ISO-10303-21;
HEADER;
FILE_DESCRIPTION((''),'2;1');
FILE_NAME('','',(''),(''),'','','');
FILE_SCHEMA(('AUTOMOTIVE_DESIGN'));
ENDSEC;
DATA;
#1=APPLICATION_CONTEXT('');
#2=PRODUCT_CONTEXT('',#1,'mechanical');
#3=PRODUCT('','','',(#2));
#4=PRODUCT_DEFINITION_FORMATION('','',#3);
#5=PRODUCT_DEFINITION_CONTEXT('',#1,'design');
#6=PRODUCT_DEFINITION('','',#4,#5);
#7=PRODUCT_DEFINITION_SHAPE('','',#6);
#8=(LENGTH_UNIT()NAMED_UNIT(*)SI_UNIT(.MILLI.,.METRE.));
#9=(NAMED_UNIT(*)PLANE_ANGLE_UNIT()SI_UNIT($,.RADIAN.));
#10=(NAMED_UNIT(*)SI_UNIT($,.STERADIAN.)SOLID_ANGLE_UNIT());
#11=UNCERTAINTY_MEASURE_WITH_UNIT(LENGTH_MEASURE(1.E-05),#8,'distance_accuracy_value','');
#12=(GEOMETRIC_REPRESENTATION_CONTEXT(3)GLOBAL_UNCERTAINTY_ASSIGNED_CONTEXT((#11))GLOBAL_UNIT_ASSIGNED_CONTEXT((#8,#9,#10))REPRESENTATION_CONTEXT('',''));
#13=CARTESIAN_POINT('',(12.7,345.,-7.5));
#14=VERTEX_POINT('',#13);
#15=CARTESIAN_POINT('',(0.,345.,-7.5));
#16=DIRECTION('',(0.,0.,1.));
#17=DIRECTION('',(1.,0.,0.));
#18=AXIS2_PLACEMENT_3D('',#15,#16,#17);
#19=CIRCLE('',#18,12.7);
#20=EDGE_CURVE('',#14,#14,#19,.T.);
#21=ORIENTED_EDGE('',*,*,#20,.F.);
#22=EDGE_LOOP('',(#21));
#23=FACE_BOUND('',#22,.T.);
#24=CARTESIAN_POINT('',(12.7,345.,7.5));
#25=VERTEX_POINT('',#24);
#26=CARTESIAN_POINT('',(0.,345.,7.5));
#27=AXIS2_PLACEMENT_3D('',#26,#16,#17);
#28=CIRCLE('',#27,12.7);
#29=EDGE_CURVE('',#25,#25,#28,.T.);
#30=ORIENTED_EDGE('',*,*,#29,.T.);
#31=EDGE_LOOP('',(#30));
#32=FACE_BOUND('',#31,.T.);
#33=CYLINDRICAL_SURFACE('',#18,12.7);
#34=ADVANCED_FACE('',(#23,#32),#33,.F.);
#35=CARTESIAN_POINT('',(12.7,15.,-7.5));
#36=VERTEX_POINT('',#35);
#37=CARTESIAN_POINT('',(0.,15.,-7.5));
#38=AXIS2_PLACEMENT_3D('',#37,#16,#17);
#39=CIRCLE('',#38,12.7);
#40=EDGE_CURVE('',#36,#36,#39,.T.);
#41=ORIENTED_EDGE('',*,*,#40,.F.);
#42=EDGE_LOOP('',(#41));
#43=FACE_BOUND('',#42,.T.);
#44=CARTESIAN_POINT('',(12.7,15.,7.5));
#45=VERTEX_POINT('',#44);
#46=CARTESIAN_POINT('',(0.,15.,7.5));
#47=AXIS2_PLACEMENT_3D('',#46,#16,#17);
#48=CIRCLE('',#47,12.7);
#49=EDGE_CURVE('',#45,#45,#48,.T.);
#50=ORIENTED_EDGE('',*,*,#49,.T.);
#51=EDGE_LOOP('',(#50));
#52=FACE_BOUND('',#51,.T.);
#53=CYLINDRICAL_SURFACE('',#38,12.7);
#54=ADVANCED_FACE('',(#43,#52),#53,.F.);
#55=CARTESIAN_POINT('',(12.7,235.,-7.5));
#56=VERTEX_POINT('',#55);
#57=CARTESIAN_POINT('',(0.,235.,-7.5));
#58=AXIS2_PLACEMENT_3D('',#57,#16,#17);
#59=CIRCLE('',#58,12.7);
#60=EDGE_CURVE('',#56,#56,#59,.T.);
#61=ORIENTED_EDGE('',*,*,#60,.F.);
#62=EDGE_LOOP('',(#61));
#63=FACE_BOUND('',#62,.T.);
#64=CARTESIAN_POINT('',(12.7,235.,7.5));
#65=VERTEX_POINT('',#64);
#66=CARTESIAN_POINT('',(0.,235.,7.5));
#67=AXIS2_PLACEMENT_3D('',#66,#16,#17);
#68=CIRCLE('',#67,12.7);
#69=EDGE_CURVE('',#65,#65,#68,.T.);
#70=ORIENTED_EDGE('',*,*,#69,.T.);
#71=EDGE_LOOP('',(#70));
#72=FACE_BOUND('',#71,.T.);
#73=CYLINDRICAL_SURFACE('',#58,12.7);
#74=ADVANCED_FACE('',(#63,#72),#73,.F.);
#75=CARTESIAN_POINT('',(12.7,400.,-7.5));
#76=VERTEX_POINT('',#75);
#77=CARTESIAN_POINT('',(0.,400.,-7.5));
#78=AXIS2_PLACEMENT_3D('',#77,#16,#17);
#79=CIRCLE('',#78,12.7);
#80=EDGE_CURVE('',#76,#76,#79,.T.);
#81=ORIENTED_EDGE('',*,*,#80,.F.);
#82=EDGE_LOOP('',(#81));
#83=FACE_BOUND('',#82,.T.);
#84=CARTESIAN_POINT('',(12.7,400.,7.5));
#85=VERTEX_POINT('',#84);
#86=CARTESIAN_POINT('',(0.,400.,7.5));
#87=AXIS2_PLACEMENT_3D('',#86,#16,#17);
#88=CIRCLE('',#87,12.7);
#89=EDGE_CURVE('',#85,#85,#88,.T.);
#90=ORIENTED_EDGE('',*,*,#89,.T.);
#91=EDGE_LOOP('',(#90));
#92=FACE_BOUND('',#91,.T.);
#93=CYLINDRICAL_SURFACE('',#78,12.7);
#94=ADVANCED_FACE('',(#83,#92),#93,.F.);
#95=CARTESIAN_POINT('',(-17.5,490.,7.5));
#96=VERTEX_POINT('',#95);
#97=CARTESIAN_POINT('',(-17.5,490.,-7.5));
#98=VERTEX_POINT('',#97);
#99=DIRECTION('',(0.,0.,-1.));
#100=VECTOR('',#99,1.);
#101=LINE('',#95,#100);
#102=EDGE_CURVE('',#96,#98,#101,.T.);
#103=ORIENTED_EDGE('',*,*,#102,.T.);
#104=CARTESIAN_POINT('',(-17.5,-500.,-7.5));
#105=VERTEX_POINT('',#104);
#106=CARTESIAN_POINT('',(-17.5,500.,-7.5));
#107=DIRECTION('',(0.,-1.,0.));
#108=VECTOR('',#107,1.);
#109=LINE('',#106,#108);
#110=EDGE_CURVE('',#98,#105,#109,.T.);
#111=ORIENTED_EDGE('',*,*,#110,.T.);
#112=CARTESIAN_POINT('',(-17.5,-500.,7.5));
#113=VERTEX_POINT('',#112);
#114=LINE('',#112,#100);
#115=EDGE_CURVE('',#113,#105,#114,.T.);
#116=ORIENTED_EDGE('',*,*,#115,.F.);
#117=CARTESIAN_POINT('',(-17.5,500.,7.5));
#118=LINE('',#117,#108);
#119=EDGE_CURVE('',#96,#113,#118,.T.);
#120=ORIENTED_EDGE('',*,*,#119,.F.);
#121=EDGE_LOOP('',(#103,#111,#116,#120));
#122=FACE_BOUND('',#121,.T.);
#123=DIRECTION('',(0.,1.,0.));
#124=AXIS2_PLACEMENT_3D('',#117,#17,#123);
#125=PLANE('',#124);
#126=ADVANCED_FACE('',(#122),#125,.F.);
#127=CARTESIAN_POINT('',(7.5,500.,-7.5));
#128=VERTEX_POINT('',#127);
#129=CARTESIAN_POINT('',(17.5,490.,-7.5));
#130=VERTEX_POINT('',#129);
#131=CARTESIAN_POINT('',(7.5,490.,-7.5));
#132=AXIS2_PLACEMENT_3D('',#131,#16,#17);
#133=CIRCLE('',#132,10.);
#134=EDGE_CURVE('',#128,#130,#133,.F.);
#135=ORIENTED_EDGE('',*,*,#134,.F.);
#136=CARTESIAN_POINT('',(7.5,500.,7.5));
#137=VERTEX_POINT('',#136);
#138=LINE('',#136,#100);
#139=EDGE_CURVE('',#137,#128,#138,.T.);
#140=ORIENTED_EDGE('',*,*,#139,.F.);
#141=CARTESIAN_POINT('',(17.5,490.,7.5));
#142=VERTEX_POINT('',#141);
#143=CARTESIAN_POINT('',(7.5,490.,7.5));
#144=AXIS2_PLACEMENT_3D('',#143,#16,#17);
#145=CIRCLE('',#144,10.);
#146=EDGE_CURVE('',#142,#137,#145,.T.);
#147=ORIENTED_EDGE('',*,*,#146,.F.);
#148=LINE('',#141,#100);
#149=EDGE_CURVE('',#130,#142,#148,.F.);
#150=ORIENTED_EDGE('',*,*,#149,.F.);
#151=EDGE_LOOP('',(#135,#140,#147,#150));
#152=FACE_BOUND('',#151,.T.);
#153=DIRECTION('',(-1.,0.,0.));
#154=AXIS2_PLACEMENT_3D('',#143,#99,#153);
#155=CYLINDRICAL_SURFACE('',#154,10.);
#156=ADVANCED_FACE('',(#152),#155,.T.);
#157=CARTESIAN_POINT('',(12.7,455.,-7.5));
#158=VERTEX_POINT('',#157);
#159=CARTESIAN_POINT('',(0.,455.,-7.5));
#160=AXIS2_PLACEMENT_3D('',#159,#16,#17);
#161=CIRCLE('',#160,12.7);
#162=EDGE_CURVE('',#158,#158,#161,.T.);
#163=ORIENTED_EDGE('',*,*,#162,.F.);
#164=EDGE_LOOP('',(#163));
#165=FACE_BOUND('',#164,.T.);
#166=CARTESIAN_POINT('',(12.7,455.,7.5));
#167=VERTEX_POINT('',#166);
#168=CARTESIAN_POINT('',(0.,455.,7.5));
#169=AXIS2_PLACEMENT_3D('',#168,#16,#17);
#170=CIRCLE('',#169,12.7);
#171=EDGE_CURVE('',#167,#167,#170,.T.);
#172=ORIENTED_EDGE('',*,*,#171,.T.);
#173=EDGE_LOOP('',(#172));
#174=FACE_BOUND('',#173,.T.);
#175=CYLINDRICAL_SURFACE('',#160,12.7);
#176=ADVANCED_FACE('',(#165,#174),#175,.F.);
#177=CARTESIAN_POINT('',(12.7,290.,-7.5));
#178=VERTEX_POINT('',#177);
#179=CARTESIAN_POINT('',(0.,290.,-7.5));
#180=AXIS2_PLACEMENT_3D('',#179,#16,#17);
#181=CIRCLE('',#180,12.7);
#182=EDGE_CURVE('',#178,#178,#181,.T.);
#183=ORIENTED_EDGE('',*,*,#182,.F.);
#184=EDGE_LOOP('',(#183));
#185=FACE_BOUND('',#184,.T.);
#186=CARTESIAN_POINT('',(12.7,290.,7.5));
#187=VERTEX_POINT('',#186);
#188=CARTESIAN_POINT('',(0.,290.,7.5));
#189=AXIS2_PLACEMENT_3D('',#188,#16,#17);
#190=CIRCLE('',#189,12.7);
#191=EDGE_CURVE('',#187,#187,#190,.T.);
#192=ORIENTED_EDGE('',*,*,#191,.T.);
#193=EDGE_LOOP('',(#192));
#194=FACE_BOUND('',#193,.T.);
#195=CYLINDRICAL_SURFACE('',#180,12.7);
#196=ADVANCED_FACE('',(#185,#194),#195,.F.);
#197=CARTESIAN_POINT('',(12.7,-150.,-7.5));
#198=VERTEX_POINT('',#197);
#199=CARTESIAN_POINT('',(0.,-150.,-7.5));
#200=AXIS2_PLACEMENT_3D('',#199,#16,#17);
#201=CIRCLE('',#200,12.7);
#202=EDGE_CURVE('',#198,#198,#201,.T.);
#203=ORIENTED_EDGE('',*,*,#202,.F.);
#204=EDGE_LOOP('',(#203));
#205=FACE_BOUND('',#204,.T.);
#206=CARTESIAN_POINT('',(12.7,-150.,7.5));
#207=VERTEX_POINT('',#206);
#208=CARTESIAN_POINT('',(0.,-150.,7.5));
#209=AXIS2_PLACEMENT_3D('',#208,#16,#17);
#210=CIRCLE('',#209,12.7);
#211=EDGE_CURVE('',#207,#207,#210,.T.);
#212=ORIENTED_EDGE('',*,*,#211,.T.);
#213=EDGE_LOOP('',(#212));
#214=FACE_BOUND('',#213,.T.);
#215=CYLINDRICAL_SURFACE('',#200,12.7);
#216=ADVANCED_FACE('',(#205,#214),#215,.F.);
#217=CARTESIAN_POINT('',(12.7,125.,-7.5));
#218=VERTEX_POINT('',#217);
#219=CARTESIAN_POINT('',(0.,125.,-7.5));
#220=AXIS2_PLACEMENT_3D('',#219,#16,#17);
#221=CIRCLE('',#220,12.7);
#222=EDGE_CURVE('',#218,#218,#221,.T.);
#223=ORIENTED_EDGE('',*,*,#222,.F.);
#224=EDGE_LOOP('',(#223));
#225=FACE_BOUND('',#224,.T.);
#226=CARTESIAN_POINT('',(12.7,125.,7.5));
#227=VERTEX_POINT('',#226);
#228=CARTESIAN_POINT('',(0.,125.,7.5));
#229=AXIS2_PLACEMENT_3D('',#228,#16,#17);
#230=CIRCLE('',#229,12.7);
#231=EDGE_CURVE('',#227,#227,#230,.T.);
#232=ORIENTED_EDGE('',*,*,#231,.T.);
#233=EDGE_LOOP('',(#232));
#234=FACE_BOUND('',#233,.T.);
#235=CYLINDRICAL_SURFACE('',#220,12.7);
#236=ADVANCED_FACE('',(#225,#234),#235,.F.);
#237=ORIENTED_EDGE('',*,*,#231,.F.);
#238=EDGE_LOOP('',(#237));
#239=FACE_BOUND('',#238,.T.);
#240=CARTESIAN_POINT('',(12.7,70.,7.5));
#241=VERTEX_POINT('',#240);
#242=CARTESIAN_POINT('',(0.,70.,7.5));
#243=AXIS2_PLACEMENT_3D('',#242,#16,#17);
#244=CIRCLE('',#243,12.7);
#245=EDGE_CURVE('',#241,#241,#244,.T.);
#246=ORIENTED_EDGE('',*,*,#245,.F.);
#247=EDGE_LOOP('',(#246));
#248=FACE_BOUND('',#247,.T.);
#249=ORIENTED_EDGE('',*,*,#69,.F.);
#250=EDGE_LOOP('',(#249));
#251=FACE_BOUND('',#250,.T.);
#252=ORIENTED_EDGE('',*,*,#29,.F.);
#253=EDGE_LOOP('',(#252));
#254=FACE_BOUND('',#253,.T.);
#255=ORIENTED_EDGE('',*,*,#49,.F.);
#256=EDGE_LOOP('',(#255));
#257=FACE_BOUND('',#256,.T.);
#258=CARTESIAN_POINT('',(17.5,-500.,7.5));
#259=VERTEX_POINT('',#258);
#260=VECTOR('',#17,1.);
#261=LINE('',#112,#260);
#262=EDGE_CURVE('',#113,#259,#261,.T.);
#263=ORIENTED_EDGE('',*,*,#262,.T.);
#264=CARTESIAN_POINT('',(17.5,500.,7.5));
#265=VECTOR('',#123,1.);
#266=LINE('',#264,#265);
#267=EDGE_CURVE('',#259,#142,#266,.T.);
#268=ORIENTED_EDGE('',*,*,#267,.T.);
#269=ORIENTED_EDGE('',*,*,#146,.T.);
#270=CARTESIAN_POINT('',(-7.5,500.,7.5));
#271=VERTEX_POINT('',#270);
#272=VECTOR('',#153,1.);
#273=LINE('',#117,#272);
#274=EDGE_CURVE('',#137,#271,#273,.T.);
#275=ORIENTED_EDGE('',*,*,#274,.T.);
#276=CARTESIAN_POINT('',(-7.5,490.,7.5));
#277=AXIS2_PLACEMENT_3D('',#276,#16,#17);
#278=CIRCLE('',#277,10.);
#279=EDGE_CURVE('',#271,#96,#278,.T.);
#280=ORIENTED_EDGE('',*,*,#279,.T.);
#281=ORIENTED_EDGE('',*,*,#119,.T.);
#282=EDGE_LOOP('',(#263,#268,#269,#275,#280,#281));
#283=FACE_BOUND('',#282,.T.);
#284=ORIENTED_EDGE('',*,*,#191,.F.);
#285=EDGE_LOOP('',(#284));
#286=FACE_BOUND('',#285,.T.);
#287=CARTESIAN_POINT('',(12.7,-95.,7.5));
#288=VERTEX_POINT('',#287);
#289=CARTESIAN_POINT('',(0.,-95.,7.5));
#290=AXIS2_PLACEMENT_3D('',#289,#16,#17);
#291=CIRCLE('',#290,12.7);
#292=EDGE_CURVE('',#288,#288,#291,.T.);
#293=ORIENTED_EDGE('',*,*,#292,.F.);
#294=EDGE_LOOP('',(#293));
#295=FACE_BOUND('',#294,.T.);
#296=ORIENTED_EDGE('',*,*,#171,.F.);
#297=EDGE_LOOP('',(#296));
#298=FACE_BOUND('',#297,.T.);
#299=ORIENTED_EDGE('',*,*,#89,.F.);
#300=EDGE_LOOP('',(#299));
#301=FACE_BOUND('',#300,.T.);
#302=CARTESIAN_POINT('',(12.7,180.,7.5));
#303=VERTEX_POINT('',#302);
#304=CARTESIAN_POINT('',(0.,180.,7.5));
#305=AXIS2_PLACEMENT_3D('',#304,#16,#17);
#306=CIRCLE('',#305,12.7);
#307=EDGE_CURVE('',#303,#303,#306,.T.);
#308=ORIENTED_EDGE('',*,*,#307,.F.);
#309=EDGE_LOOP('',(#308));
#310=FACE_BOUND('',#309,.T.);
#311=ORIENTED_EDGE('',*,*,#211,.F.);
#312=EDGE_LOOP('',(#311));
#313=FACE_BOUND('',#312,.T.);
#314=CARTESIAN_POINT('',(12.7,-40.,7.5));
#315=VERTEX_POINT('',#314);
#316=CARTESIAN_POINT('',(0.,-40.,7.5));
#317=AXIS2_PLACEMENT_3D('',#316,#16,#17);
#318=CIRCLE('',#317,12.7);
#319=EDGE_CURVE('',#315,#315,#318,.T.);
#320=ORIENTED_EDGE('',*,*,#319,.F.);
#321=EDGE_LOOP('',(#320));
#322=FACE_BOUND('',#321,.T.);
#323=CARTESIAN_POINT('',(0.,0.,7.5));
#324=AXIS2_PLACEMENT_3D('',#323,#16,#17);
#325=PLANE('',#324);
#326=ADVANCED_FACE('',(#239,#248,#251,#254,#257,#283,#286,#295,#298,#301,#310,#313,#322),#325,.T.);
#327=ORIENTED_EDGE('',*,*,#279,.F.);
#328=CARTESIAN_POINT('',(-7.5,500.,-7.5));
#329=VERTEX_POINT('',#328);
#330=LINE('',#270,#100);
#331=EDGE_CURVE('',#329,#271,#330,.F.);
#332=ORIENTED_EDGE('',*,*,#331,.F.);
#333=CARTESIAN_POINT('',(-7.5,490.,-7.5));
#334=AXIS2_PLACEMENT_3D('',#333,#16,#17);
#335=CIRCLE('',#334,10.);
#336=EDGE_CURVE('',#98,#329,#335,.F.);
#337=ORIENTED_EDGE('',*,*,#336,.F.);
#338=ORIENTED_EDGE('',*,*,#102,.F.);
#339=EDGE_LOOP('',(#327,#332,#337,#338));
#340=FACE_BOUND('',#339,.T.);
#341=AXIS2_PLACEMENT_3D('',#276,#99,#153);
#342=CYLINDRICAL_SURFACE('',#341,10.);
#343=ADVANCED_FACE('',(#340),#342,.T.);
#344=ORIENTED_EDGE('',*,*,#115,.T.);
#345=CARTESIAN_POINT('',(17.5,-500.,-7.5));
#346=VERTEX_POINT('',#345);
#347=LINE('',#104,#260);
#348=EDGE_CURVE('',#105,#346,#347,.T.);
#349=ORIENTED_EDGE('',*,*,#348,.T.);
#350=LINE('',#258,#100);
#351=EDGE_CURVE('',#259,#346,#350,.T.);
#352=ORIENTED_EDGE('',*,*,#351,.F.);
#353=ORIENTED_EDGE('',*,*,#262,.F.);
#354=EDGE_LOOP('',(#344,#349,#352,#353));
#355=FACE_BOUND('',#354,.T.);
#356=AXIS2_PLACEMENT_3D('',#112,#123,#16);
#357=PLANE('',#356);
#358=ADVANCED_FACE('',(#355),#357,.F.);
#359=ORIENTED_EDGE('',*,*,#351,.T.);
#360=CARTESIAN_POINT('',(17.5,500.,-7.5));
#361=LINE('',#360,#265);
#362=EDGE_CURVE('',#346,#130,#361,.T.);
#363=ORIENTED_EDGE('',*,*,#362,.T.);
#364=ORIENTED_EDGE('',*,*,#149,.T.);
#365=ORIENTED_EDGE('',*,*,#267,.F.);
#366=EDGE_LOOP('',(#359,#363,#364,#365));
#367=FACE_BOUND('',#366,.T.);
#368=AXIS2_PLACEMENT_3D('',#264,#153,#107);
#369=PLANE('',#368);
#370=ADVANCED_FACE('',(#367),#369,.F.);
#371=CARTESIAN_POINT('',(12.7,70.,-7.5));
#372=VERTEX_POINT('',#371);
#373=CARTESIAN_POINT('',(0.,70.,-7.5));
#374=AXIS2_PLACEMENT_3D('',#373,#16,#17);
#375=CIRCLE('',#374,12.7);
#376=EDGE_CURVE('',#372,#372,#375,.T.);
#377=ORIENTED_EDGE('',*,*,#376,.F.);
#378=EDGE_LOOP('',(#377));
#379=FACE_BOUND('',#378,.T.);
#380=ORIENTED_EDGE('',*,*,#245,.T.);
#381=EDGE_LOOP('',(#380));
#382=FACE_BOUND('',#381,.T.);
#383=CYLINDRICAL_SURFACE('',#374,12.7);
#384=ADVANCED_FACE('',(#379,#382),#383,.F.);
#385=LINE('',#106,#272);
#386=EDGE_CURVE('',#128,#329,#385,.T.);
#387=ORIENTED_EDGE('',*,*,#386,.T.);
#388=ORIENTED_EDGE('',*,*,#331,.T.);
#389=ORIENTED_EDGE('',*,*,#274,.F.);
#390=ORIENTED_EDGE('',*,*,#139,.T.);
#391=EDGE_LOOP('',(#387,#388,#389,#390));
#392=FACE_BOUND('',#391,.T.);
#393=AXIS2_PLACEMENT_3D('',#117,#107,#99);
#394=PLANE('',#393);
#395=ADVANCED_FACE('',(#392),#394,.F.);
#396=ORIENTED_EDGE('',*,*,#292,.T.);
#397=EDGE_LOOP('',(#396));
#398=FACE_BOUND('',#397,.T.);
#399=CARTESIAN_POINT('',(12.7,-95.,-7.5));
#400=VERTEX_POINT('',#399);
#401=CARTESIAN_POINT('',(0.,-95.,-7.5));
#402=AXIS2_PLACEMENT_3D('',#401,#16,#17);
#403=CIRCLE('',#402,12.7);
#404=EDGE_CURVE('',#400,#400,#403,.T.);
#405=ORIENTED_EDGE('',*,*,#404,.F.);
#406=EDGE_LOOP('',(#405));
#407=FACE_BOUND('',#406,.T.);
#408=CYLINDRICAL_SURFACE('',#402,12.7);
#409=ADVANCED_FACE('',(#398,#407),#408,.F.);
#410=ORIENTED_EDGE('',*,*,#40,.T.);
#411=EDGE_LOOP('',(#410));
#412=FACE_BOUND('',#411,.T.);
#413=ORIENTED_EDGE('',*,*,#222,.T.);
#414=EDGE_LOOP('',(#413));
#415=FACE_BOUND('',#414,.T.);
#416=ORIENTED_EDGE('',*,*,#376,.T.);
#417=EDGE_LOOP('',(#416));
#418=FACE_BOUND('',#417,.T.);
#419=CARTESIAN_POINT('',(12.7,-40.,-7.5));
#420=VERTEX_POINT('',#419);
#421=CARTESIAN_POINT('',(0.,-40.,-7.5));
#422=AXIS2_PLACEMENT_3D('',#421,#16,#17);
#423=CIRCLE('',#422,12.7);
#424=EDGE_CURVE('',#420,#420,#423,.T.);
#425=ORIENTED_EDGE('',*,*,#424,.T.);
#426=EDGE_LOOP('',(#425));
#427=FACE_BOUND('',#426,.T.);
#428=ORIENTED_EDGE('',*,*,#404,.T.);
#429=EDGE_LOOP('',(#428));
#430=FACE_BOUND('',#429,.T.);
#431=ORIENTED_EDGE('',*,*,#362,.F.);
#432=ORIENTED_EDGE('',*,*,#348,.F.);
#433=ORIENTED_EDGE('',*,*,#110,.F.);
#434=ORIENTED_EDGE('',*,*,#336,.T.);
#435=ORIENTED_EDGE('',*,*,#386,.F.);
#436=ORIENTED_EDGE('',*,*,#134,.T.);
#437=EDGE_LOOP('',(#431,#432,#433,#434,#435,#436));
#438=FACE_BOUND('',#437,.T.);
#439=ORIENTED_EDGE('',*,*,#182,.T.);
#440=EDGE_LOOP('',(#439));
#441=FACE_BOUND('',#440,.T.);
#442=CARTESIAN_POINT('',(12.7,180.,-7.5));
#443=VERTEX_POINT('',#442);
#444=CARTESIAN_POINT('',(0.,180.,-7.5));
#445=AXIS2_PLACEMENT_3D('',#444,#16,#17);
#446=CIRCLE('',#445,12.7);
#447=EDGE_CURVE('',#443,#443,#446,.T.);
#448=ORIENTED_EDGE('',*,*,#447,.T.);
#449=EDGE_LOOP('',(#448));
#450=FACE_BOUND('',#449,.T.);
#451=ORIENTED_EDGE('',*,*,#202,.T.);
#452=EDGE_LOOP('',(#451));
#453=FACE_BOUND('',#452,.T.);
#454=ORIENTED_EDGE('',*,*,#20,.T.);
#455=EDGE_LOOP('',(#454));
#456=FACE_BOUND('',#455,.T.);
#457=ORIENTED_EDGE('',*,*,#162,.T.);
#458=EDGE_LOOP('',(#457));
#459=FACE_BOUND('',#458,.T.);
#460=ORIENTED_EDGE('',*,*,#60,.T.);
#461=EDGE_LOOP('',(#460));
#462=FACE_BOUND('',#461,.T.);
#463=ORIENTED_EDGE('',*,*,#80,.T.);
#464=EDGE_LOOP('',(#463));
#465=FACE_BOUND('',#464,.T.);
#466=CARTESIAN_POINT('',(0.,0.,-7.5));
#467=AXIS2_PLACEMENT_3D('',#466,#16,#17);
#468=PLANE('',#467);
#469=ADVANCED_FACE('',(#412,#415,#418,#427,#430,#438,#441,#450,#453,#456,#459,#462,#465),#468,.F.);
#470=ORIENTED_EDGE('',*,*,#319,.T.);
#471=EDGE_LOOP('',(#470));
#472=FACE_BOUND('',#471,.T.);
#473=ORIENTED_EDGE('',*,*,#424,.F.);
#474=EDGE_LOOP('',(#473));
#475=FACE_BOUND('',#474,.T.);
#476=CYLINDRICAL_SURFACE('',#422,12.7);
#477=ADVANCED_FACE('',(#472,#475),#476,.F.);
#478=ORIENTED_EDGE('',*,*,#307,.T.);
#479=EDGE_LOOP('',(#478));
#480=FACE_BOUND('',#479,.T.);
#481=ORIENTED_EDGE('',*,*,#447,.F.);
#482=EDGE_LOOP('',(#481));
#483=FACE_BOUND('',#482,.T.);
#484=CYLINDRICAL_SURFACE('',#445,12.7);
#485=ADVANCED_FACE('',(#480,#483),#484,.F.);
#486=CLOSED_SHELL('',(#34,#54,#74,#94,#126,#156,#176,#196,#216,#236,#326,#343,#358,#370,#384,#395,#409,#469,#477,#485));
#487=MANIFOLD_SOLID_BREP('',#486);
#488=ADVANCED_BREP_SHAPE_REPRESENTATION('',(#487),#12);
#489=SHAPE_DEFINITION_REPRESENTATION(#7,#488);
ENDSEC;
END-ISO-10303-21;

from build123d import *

# Parameters (mm, degrees)
SKETCH1_W           = 35
SKETCH1_H           = 1000
BOSS_EXTRUDE1_DEPTH = 7.5
SKETCH2_R           = 12.7
CUT_EXTRUDE1_DEPTH  = 8.5
LPATTERN1_COUNT     = 12
LPATTERN1_PITCH     = 55
FILLET1_R           = 10


with BuildPart() as part:
    # Sketch1 → Boss-Extrude1 (new body, symmetric)
    with BuildSketch(Plane.XY):
        Rectangle(SKETCH1_W, SKETCH1_H)
    extrude(amount=BOSS_EXTRUDE1_DEPTH, both=True)

    # Sketch2 → Cut-Extrude1 (cut, symmetric)
    with BuildSketch(Plane.XY):
        with Locations((0, -150)):
            Circle(SKETCH2_R)
    cut_extrude1 = extrude(amount=CUT_EXTRUDE1_DEPTH, both=True, mode=Mode.SUBTRACT)

    # LPattern1: Cut-Extrude1 ×12
    with Locations(*[(0, i * LPATTERN1_PITCH, 0) for i in range(1, LPATTERN1_COUNT)]):
        add(cut_extrude1, mode=Mode.SUBTRACT)

    # Fillet1
    fillet1_edges = [part.edges().sort_by_distance(p)[0] for p in [
        (-17.5, 500, 0),
        (17.5, 500, 0),
    ]]
    fillet(fillet1_edges, radius=FILLET1_R)


solid = part.part
